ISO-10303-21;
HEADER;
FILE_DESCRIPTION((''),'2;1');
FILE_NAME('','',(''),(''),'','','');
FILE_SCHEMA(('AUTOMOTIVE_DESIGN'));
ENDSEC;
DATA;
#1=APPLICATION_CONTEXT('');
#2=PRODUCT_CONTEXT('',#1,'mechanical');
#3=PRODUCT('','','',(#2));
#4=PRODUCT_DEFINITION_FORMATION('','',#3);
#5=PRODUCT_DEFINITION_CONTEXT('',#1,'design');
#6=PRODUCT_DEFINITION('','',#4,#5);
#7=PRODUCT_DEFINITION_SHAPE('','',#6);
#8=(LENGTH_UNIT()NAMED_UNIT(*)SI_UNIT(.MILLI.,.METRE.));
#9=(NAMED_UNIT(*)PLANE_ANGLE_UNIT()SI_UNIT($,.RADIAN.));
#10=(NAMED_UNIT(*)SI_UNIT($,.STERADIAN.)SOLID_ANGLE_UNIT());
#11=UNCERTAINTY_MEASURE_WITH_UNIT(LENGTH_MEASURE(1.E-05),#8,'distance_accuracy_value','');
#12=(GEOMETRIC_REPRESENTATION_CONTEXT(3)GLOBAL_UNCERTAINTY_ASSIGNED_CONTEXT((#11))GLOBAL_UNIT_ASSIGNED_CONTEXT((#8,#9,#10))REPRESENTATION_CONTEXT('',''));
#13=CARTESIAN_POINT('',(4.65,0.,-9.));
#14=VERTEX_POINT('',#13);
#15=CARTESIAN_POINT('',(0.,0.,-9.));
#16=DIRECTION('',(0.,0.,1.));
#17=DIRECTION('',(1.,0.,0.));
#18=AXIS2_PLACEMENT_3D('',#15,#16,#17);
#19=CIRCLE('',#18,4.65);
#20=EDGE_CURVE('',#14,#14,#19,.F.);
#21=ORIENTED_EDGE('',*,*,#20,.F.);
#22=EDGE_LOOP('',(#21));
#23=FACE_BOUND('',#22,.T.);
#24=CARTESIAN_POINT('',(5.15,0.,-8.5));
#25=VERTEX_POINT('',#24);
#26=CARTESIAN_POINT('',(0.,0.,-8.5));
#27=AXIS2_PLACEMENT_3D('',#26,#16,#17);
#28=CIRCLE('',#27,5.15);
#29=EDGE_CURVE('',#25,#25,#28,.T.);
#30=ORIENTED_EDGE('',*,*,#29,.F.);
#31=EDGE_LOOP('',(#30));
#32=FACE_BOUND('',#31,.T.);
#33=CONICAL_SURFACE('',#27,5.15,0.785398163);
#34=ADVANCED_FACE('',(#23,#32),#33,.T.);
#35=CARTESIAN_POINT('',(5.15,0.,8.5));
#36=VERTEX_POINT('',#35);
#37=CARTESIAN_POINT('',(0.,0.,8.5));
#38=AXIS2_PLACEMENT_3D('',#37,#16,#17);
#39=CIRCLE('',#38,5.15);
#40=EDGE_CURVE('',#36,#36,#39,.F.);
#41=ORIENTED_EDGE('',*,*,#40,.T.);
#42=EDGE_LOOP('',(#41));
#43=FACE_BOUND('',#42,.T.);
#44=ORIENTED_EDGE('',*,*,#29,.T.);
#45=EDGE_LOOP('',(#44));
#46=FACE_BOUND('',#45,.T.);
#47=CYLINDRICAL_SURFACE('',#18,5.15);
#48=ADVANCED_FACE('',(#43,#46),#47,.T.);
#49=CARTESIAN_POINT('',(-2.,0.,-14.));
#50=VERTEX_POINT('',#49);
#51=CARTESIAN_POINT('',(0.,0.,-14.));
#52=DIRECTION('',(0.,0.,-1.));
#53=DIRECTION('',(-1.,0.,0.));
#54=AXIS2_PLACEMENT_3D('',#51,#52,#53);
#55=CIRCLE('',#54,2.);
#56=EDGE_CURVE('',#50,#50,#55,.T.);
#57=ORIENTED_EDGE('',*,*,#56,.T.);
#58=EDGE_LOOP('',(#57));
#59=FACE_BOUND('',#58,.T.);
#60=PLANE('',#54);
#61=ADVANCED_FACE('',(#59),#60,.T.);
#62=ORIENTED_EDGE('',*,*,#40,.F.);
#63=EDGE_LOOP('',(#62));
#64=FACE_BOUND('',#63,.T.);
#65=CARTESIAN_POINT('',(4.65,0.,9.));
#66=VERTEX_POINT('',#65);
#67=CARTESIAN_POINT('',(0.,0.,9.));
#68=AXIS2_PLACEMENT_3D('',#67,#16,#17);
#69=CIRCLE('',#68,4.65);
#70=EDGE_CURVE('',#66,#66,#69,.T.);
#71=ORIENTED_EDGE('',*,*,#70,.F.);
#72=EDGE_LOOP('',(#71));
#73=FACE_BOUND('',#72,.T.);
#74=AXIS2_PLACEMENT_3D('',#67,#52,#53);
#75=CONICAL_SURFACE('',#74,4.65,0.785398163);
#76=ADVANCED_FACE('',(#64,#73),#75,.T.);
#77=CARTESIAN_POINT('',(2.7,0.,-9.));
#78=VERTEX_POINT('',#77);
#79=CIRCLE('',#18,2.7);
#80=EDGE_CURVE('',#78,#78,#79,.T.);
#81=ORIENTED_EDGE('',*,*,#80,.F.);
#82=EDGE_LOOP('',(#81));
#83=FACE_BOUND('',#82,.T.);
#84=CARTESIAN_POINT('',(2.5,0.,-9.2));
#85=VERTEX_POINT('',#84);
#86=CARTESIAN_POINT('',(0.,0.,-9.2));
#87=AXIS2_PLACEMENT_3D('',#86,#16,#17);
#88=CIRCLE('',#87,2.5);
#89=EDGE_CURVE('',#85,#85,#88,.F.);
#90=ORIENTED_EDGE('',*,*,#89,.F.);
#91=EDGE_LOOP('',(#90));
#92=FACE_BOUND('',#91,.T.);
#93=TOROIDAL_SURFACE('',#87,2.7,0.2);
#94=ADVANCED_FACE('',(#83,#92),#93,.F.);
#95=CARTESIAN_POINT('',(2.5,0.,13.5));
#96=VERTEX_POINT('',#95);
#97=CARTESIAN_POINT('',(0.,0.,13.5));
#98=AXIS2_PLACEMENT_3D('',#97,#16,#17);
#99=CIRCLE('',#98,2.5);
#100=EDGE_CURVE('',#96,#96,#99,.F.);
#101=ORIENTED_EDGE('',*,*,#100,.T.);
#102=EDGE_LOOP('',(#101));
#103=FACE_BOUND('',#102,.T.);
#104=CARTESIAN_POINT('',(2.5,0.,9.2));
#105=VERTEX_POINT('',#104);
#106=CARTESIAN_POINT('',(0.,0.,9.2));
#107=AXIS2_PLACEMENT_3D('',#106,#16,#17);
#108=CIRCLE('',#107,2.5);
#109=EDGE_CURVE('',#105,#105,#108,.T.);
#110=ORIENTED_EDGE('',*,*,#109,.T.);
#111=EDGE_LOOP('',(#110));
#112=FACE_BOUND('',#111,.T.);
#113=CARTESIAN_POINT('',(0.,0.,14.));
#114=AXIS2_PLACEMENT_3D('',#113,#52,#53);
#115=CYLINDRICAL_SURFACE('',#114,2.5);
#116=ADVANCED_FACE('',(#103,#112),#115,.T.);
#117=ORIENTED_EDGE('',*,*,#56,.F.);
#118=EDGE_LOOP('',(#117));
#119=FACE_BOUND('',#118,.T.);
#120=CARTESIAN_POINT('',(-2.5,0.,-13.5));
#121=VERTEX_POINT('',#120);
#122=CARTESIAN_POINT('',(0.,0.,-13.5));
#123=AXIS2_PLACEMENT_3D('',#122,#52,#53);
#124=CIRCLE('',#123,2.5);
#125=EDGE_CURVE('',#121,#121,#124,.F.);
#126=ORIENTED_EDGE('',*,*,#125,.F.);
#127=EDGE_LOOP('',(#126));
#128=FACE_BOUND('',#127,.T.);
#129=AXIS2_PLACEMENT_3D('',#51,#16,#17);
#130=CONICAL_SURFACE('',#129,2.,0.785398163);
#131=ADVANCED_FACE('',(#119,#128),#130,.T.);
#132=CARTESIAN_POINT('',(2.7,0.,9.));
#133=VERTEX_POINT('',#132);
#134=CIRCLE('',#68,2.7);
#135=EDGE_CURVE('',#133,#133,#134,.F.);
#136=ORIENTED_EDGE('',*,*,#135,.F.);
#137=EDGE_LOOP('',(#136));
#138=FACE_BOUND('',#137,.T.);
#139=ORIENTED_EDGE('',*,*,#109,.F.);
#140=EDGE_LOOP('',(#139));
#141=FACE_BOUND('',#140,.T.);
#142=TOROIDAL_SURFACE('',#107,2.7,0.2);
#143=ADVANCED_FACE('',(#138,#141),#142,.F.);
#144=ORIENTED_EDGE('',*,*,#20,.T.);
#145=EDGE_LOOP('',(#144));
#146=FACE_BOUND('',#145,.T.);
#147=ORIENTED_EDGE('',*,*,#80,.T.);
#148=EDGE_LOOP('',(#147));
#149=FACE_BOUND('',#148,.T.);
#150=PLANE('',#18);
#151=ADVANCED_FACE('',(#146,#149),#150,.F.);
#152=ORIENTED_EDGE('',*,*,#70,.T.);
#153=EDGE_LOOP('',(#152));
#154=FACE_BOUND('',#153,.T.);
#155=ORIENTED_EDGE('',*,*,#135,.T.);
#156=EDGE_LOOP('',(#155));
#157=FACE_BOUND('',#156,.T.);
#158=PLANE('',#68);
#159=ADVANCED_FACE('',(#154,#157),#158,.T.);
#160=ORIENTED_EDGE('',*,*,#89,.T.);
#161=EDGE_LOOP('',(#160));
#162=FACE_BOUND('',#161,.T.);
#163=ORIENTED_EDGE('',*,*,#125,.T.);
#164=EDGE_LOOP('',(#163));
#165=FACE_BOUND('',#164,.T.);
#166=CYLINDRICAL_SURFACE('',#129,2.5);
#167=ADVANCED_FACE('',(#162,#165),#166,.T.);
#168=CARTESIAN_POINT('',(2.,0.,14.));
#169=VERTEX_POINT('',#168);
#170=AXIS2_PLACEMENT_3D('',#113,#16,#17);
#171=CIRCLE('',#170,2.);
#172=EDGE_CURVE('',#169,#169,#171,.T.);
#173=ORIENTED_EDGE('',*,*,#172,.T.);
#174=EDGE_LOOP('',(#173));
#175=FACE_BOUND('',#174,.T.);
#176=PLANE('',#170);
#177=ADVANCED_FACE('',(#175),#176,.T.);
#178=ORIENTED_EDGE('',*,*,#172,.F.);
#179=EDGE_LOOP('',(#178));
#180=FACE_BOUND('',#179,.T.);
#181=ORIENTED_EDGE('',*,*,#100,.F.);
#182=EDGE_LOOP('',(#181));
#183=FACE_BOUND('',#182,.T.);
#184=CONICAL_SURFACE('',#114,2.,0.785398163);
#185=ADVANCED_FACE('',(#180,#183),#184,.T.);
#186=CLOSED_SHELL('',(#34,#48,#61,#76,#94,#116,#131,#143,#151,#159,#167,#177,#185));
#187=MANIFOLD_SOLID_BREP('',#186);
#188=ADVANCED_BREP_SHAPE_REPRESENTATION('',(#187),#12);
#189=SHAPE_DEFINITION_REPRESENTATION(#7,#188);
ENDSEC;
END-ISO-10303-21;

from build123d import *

# Parameters (mm, degrees)
BOSS_EXTRUDE1_DEPTH      = 9
BOSS_EXTRUDE1_DEPTH_BACK = 9
SKETCH1_R                = 5.15
SKETCH2_R                = 2.5
BOSS_EXTRUDE2_DEPTH      = 5
BOSS_EXTRUDE3_START      = 5
SKETCH3_R                = 2.5
BOSS_EXTRUDE3_DEPTH      = 5
CHAMFER2_SIZE            = 0.5
FILLET1_R                = 0.2


with BuildPart() as part:
    # Sketch1 → Boss-Extrude1 (new, two sides: drawn at the far end of the back side and taken through both)
    with BuildSketch(Plane.XY.offset(-BOSS_EXTRUDE1_DEPTH_BACK)):
        Circle(SKETCH1_R)
    extrude(amount=BOSS_EXTRUDE1_DEPTH + BOSS_EXTRUDE1_DEPTH_BACK)

    # Sketch2 → Boss-Extrude2 (add)
    with BuildSketch(Plane.XY.offset(9)):
        Circle(SKETCH2_R)
    extrude(amount=BOSS_EXTRUDE2_DEPTH)

    # Sketch3 → Boss-Extrude3 (add)
    with BuildSketch(Plane(origin=(0, 0, -9), x_dir=(-1, 0, 0), z_dir=(0, 0, -1)).offset(BOSS_EXTRUDE3_START)):
        Circle(SKETCH3_R)
    extrude(amount=-BOSS_EXTRUDE3_DEPTH)

    # Chamfer2
    chamfer2_edges = [part.edges().sort_by_distance(p)[0] for p in [
        (2.5, 0, -14),
        (-2.5, 0, 14),
        (-5.15, 0, -9),
        (-5.15, 0, 9),
    ]]
    chamfer(chamfer2_edges, length=CHAMFER2_SIZE)

    # Fillet1
    fillet1_edges = [part.edges().sort_by_distance(p)[0] for p in [
        (2.5, 0, -9),
        (-2.5, 0, 9),
    ]]
    fillet(fillet1_edges, radius=FILLET1_R)


solid = part.part
